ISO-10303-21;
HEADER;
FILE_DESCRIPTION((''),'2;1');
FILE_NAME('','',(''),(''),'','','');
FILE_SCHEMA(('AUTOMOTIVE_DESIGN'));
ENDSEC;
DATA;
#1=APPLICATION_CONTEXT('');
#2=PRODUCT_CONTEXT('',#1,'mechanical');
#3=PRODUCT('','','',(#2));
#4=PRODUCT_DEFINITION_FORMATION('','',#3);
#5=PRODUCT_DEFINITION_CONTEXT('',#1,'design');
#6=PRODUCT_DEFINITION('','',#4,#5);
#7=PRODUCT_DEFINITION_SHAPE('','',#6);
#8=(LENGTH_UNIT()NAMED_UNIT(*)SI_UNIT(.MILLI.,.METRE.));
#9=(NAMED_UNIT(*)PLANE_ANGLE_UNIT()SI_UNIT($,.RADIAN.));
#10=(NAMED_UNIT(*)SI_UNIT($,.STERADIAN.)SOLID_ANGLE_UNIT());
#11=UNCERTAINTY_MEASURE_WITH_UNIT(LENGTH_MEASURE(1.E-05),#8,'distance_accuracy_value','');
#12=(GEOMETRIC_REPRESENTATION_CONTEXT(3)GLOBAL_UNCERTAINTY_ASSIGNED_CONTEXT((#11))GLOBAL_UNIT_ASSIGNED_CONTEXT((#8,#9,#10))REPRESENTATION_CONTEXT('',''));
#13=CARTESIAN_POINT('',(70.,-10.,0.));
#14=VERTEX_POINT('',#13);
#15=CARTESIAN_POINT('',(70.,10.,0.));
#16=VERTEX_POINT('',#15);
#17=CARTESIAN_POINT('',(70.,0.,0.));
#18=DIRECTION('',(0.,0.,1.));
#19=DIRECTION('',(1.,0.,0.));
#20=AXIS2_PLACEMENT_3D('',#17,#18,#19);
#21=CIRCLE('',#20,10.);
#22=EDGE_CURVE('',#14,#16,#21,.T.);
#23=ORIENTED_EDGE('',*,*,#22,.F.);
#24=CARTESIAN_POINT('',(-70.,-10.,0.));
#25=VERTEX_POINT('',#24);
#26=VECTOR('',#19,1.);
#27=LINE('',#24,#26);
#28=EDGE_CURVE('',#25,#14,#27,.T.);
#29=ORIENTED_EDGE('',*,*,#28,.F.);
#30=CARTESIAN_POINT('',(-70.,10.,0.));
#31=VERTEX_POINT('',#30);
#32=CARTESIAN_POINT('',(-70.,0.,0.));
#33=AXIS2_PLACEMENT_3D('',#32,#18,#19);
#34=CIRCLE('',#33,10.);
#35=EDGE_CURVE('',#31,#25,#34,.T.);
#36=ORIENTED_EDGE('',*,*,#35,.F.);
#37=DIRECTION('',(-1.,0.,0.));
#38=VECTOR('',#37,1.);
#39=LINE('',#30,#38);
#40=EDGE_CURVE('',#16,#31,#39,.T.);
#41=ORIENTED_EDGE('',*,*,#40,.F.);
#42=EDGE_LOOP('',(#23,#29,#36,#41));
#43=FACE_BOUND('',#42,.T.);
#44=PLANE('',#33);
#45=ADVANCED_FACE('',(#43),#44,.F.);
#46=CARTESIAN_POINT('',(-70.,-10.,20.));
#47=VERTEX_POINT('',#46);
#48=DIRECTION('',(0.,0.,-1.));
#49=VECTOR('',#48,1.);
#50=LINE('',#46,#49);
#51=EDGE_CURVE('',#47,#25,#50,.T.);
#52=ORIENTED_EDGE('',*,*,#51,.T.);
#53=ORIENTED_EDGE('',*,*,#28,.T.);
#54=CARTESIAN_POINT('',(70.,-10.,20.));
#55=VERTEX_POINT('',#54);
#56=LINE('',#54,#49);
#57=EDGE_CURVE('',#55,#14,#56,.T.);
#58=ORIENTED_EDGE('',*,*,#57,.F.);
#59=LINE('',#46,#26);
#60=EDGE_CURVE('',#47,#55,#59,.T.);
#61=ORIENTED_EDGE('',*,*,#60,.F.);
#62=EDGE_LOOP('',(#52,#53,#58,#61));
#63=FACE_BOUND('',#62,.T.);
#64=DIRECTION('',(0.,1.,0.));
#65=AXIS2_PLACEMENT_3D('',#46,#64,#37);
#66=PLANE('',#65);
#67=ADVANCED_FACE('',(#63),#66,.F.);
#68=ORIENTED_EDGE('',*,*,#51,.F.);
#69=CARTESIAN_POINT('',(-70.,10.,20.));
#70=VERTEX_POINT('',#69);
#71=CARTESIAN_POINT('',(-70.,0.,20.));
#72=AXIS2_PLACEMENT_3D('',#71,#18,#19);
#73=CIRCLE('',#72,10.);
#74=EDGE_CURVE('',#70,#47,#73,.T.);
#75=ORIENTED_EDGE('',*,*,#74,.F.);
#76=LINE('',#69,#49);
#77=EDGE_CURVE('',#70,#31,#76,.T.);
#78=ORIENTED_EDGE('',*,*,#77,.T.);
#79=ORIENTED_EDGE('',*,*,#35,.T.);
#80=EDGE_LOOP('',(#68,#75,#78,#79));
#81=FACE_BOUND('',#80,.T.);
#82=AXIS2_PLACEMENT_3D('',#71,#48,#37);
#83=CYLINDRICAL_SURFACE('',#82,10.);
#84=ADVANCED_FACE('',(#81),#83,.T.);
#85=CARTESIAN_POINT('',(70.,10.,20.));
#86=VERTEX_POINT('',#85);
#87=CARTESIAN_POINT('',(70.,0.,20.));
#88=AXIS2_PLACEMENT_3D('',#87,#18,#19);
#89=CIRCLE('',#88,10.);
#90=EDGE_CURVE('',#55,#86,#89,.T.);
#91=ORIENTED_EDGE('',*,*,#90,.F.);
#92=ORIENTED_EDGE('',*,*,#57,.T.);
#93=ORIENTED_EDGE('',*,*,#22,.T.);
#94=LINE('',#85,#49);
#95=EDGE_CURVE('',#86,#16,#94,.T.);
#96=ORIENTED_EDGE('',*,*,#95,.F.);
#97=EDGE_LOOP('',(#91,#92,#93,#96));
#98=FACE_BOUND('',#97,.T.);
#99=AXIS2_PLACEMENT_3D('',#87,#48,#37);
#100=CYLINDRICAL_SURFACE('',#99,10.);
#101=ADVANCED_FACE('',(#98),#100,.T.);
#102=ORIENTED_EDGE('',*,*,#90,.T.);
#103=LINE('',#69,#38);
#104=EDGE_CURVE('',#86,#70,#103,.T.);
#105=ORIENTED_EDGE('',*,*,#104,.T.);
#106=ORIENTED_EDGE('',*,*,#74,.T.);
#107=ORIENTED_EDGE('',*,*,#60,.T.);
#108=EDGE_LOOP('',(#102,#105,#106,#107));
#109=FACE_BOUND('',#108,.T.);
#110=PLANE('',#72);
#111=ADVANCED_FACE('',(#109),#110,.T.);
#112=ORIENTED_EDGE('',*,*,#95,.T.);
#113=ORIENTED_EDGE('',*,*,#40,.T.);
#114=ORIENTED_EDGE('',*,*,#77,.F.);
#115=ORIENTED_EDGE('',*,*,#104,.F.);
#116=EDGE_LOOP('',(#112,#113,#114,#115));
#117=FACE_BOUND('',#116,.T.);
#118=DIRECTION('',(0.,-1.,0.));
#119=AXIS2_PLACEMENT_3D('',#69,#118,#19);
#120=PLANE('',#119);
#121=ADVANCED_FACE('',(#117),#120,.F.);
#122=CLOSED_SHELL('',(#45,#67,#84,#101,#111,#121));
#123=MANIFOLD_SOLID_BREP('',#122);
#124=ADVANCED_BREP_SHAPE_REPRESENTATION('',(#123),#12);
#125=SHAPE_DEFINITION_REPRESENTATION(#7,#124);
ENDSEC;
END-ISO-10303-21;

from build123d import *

# Parameters (mm, degrees)
BOSS_EXTRUDE1_DEPTH = 20


with BuildPart() as part:
    # Sketch1 → Boss-Extrude1 (new body)
    with BuildSketch(Plane.XY):
        with BuildLine():
            Line((-70, 10), (70, 10))
            ThreePointArc((70, 10), (80, 0), (70, -10))
            Line((70, -10), (-70, -10))
            ThreePointArc((-70, -10), (-80, 0), (-70, 10))
        make_face()
    extrude(amount=BOSS_EXTRUDE1_DEPTH)


solid = part.part
